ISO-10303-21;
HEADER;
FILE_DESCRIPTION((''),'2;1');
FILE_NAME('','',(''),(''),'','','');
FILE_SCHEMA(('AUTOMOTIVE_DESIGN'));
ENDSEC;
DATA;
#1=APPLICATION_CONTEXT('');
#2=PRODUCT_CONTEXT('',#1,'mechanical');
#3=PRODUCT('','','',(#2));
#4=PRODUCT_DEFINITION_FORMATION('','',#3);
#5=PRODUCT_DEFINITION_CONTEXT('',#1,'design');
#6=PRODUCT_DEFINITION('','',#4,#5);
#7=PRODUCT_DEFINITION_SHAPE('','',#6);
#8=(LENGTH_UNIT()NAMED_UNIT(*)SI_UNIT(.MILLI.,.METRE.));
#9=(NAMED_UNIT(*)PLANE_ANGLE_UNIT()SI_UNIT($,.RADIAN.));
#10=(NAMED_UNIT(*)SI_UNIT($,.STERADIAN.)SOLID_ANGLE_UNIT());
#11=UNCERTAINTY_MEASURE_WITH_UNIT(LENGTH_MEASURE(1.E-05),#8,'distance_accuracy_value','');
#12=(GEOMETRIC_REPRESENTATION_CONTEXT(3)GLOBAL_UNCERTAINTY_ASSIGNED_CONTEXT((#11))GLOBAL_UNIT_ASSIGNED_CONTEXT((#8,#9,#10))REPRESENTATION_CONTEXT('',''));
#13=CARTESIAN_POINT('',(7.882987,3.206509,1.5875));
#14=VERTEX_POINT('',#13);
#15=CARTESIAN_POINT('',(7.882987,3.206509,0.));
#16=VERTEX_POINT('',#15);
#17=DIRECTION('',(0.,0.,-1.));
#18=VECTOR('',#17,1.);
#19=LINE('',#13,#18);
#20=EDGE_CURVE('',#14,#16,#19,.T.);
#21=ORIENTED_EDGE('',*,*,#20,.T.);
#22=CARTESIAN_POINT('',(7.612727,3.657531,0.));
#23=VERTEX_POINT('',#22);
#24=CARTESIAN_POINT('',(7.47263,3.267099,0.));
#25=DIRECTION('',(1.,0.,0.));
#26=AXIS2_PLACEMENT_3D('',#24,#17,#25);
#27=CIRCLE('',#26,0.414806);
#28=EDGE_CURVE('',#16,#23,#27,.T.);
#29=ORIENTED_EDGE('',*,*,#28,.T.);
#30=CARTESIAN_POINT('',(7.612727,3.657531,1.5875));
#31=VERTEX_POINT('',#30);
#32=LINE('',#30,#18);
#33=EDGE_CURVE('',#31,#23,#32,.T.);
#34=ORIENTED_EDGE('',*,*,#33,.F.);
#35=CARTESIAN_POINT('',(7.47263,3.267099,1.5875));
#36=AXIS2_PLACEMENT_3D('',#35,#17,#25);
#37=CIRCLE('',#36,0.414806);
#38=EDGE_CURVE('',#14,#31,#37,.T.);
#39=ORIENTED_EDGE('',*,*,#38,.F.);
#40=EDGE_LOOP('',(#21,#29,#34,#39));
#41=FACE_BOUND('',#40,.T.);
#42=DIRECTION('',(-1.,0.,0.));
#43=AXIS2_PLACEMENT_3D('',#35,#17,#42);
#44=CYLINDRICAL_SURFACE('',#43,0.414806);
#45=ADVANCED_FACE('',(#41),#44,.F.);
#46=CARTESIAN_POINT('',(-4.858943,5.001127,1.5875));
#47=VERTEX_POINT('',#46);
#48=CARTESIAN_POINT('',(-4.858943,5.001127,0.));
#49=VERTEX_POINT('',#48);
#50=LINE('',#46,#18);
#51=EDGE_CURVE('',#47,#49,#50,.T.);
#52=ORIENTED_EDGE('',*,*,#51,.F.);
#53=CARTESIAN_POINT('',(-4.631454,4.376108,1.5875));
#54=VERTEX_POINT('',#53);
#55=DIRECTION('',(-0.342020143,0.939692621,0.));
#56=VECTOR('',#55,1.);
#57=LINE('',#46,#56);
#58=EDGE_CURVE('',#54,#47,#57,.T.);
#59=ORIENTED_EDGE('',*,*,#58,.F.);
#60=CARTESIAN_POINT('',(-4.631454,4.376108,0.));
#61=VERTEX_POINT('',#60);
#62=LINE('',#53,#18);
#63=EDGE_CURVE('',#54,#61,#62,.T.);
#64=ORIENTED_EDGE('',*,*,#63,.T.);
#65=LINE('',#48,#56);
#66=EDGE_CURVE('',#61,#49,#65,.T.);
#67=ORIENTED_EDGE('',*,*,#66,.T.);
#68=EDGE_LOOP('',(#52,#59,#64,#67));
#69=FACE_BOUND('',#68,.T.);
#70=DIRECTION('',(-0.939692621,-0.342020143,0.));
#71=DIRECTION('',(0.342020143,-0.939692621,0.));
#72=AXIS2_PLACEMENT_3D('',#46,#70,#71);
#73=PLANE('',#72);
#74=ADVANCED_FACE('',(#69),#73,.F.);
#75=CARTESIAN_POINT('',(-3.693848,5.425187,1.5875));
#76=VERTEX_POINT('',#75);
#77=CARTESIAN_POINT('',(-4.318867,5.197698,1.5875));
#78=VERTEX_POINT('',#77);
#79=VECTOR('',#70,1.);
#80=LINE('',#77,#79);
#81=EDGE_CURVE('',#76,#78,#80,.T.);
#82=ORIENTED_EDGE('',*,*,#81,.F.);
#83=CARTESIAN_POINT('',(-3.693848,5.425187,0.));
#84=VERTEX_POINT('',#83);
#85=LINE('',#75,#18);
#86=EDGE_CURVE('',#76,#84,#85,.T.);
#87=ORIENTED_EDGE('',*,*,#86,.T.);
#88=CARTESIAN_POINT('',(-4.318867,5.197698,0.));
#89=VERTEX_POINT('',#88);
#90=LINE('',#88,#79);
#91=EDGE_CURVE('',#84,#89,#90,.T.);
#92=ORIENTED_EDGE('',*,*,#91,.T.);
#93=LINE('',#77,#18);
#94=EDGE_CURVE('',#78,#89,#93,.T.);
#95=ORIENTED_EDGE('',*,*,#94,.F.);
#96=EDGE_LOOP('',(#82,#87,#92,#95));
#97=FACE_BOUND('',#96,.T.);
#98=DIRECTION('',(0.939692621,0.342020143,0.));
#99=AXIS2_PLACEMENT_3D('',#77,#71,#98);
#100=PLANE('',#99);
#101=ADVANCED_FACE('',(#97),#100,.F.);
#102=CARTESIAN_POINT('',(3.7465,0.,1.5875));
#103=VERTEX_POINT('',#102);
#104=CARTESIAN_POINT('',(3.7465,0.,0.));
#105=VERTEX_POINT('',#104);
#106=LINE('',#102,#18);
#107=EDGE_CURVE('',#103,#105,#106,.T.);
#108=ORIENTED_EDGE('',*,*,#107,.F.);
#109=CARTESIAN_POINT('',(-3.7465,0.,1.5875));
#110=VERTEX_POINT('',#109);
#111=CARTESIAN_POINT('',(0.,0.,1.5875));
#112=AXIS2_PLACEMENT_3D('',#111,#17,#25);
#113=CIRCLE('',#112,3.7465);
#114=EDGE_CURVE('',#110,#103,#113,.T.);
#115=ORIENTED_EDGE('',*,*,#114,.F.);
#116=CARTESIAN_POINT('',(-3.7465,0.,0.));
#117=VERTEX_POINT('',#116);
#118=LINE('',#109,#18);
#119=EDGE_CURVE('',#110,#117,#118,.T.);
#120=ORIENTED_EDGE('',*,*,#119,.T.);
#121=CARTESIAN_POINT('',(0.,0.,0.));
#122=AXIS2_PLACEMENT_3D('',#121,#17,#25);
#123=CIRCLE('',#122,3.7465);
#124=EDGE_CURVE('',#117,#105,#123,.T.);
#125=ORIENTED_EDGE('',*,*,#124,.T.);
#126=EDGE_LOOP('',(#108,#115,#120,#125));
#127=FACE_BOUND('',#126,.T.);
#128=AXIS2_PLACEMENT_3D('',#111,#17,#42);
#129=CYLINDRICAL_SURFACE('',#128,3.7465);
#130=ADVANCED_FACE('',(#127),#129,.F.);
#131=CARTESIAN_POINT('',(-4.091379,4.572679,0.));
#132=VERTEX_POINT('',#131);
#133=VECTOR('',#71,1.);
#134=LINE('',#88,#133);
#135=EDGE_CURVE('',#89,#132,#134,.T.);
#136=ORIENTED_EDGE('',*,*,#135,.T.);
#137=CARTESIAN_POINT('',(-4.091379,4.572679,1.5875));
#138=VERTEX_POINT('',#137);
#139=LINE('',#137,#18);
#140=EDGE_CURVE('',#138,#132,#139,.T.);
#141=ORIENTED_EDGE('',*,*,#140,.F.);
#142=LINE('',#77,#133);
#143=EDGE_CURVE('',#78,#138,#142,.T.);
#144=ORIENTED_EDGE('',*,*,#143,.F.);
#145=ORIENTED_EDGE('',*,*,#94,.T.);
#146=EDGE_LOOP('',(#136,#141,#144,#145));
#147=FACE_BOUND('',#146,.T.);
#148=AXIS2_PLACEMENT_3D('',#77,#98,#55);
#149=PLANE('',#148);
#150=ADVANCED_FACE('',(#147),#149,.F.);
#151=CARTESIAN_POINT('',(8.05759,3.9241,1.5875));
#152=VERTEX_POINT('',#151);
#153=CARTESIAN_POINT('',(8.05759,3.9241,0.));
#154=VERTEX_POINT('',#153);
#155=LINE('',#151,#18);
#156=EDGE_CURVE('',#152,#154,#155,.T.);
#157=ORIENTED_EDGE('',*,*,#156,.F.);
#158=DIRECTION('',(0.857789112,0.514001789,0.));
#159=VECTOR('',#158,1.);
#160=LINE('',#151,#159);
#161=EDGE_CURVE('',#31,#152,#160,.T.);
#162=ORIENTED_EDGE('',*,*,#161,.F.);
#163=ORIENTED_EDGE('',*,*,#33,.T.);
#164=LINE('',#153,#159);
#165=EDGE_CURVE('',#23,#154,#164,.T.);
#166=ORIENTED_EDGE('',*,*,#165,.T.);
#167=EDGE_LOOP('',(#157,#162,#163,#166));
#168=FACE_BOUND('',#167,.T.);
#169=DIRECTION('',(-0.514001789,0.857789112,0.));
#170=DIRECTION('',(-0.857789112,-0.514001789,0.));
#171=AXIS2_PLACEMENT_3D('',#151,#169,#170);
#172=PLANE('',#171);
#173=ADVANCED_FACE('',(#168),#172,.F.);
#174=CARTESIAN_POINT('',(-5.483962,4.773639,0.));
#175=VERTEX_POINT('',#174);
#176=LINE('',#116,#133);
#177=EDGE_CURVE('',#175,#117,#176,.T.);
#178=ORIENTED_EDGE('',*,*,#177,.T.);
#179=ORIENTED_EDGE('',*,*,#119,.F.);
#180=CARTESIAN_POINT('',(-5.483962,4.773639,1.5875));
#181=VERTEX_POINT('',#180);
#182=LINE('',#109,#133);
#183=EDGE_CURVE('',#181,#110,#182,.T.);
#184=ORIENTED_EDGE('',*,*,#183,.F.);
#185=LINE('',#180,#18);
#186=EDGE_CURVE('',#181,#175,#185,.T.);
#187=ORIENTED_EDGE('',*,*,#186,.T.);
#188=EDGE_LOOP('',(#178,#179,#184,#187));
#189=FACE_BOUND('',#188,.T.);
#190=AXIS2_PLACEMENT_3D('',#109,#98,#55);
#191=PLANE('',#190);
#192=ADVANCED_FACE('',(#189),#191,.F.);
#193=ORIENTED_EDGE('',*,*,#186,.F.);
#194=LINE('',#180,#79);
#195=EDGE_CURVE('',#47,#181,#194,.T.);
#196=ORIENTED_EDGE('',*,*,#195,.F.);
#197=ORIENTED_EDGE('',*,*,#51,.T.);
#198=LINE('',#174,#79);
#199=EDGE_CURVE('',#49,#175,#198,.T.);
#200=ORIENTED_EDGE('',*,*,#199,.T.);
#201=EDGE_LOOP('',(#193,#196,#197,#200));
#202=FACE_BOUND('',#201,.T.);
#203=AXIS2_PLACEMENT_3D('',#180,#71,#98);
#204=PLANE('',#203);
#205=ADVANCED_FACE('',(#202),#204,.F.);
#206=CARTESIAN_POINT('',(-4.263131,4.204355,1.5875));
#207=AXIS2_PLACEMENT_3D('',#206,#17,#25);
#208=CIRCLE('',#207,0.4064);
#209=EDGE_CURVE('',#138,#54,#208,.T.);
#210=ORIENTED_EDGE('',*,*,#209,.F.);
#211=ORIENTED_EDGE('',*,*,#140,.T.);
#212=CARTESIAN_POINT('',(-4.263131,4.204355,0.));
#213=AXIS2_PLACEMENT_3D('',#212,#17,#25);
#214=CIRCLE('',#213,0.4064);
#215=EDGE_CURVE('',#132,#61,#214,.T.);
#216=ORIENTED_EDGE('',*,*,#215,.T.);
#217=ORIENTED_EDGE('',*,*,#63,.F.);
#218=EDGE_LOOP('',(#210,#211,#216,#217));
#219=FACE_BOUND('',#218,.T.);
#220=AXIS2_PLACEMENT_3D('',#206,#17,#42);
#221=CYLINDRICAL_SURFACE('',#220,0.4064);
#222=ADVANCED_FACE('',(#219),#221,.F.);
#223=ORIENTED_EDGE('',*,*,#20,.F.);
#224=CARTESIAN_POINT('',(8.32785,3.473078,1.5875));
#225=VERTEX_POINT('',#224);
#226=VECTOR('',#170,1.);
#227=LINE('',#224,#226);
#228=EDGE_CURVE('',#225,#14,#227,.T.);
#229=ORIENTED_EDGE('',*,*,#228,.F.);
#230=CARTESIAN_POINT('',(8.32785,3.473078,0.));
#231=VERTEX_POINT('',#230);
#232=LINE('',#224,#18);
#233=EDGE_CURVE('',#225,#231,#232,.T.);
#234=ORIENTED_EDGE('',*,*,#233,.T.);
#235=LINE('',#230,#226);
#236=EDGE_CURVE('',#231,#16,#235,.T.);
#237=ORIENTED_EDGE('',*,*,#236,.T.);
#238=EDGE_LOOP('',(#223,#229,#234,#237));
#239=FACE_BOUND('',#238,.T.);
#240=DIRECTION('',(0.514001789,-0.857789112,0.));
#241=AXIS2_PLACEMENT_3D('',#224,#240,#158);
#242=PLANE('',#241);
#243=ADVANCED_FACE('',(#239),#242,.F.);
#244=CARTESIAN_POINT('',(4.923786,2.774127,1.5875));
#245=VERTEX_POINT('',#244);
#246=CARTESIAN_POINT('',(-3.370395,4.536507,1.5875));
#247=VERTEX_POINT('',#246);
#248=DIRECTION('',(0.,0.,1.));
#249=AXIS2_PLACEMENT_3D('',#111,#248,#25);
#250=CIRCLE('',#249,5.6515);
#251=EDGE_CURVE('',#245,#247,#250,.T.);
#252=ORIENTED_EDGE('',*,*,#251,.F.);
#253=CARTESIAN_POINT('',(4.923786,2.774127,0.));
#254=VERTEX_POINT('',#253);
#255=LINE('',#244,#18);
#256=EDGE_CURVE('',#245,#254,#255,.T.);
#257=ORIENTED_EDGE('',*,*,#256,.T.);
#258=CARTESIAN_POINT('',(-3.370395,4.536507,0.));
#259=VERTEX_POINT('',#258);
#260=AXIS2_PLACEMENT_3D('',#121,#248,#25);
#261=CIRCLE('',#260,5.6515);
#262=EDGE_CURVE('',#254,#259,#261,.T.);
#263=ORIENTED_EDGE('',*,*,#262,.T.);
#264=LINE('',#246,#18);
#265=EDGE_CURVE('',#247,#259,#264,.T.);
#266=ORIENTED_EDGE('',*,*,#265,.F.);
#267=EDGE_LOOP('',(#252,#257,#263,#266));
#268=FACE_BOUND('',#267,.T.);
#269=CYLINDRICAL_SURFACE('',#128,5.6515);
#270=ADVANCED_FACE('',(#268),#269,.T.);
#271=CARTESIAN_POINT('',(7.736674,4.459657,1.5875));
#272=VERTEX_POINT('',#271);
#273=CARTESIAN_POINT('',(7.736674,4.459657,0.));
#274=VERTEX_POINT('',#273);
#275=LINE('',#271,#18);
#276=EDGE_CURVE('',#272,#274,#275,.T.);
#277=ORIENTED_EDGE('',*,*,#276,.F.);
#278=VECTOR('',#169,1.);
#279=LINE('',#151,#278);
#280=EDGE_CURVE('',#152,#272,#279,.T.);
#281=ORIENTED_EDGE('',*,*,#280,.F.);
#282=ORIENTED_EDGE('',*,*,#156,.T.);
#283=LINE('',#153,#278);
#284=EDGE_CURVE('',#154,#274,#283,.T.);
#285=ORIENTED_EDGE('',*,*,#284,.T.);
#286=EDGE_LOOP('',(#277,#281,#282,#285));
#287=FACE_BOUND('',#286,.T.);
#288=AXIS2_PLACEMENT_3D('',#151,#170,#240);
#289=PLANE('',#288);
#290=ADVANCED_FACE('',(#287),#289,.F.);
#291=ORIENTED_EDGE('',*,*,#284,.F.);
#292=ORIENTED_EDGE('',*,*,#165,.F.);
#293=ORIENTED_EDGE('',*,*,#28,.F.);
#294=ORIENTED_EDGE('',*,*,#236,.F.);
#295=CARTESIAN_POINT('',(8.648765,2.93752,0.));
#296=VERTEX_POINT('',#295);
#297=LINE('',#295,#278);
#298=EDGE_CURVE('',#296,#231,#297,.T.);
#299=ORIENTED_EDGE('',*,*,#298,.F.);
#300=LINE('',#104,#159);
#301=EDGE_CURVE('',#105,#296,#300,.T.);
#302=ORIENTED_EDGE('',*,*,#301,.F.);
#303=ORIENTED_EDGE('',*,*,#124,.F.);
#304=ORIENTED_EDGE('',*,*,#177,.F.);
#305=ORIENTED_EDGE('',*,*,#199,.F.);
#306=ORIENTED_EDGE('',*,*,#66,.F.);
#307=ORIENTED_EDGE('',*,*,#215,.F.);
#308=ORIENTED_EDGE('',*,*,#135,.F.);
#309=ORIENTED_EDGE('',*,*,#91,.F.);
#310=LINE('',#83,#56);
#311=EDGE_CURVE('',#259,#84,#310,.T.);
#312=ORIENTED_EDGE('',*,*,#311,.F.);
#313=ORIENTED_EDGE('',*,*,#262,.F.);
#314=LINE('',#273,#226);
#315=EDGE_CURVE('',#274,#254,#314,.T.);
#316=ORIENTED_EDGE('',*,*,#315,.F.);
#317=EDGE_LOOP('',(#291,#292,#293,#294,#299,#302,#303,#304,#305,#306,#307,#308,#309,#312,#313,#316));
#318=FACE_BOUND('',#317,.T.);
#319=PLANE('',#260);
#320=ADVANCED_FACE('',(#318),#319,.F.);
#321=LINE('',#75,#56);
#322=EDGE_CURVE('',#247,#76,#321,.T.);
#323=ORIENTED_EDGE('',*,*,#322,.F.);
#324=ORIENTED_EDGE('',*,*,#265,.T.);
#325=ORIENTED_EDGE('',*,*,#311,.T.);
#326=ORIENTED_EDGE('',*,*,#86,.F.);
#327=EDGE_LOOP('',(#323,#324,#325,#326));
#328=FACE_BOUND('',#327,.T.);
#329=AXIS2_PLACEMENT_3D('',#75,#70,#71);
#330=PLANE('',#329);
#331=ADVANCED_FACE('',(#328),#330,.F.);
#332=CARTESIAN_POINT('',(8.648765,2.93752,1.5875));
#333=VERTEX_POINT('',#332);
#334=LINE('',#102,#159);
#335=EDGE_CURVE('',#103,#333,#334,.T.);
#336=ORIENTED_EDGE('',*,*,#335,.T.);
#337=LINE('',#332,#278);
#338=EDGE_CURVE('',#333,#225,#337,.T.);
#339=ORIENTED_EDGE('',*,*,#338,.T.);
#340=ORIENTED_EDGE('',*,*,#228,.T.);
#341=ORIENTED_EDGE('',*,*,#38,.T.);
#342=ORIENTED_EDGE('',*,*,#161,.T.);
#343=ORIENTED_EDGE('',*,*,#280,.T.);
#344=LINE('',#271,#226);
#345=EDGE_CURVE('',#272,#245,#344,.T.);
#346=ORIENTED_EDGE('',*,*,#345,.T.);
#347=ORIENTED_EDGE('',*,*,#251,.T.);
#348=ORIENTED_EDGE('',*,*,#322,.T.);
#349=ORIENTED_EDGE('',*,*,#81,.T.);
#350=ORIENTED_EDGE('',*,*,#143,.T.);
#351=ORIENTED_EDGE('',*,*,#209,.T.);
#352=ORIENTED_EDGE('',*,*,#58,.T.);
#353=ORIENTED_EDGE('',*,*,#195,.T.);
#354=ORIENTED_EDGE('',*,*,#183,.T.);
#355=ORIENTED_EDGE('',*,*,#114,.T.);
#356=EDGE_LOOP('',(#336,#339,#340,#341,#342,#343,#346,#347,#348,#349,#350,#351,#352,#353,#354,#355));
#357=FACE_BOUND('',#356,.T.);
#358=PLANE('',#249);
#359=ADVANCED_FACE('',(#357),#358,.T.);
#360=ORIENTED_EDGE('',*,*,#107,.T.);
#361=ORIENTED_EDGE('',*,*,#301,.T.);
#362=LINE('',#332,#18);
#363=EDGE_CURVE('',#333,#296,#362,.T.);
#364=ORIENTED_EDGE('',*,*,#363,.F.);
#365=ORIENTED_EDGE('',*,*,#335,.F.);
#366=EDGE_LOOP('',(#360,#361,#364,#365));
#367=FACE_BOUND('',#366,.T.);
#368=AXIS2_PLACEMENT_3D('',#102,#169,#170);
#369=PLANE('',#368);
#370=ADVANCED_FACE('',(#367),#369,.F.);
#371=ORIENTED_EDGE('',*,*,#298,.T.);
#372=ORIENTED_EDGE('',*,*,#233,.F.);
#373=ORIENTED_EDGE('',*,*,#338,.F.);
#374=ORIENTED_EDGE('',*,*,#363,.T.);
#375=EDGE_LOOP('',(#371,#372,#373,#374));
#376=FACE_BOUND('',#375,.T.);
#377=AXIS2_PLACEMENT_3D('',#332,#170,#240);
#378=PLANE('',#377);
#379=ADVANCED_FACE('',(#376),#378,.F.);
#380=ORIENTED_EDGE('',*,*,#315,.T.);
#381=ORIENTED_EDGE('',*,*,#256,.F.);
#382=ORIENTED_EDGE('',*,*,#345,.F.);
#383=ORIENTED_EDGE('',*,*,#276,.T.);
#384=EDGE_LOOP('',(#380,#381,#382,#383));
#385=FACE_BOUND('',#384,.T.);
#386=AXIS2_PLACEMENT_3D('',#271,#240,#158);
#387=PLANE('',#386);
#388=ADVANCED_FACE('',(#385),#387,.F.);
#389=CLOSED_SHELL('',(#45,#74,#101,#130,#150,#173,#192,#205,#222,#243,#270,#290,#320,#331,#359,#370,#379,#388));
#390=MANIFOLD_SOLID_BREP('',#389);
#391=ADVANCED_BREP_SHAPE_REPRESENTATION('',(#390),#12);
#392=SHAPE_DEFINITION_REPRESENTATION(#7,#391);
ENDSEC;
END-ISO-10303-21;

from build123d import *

# Parameters (mm, degrees)
BOSS_EXTRUDE1_DEPTH = 1.5875


with BuildPart() as part:
    # Sketch2 → Boss-Extrude1 (new body)
    with BuildSketch(Plane.XY):
        with BuildLine():
            Line((-3.7465, 0), (-5.483962328, 4.773638514))
            Line((-5.483962328, 4.773638514), (-4.85894288, 5.001126989))
            Line((-4.85894288, 5.001126989), (-4.631454405, 4.37610754))
            ThreePointArc((-4.631454405, 4.37610754), (-4.124133934, 3.822464398), (-4.091378859, 4.572678963))
            Line((-4.091378859, 4.572678963), (-4.318867334, 5.197698412))
            Line((-4.318867334, 5.197698412), (-3.693847885, 5.425186887))
            Line((-3.693847885, 5.425186887), (-3.370394701, 4.536506565))
            ThreePointArc((-3.370394701, 4.536506565), (1.174628372, 5.52808289), (4.923786313, 2.774126996))
            Line((4.923786313, 2.774126996), (7.736674427, 4.459657279))
            Line((7.736674427, 4.459657279), (8.057589571, 3.924099773))
            Line((8.057589571, 3.924099773), (7.612727117, 3.657530643))
            ThreePointArc((7.612727117, 3.657530643), (7.116813389, 3.053887496), (7.882987176, 3.206508602))
            Line((7.882987176, 3.206508602), (8.32784963, 3.473077733))
            Line((8.32784963, 3.473077733), (8.648764774, 2.937520227))
            Line((8.648764774, 2.937520227), (3.7465, 0))
            ThreePointArc((3.7465, 0), (0, 3.7465), (-3.7465, 0))
        make_face()
    extrude(amount=BOSS_EXTRUDE1_DEPTH)


solid = part.part
